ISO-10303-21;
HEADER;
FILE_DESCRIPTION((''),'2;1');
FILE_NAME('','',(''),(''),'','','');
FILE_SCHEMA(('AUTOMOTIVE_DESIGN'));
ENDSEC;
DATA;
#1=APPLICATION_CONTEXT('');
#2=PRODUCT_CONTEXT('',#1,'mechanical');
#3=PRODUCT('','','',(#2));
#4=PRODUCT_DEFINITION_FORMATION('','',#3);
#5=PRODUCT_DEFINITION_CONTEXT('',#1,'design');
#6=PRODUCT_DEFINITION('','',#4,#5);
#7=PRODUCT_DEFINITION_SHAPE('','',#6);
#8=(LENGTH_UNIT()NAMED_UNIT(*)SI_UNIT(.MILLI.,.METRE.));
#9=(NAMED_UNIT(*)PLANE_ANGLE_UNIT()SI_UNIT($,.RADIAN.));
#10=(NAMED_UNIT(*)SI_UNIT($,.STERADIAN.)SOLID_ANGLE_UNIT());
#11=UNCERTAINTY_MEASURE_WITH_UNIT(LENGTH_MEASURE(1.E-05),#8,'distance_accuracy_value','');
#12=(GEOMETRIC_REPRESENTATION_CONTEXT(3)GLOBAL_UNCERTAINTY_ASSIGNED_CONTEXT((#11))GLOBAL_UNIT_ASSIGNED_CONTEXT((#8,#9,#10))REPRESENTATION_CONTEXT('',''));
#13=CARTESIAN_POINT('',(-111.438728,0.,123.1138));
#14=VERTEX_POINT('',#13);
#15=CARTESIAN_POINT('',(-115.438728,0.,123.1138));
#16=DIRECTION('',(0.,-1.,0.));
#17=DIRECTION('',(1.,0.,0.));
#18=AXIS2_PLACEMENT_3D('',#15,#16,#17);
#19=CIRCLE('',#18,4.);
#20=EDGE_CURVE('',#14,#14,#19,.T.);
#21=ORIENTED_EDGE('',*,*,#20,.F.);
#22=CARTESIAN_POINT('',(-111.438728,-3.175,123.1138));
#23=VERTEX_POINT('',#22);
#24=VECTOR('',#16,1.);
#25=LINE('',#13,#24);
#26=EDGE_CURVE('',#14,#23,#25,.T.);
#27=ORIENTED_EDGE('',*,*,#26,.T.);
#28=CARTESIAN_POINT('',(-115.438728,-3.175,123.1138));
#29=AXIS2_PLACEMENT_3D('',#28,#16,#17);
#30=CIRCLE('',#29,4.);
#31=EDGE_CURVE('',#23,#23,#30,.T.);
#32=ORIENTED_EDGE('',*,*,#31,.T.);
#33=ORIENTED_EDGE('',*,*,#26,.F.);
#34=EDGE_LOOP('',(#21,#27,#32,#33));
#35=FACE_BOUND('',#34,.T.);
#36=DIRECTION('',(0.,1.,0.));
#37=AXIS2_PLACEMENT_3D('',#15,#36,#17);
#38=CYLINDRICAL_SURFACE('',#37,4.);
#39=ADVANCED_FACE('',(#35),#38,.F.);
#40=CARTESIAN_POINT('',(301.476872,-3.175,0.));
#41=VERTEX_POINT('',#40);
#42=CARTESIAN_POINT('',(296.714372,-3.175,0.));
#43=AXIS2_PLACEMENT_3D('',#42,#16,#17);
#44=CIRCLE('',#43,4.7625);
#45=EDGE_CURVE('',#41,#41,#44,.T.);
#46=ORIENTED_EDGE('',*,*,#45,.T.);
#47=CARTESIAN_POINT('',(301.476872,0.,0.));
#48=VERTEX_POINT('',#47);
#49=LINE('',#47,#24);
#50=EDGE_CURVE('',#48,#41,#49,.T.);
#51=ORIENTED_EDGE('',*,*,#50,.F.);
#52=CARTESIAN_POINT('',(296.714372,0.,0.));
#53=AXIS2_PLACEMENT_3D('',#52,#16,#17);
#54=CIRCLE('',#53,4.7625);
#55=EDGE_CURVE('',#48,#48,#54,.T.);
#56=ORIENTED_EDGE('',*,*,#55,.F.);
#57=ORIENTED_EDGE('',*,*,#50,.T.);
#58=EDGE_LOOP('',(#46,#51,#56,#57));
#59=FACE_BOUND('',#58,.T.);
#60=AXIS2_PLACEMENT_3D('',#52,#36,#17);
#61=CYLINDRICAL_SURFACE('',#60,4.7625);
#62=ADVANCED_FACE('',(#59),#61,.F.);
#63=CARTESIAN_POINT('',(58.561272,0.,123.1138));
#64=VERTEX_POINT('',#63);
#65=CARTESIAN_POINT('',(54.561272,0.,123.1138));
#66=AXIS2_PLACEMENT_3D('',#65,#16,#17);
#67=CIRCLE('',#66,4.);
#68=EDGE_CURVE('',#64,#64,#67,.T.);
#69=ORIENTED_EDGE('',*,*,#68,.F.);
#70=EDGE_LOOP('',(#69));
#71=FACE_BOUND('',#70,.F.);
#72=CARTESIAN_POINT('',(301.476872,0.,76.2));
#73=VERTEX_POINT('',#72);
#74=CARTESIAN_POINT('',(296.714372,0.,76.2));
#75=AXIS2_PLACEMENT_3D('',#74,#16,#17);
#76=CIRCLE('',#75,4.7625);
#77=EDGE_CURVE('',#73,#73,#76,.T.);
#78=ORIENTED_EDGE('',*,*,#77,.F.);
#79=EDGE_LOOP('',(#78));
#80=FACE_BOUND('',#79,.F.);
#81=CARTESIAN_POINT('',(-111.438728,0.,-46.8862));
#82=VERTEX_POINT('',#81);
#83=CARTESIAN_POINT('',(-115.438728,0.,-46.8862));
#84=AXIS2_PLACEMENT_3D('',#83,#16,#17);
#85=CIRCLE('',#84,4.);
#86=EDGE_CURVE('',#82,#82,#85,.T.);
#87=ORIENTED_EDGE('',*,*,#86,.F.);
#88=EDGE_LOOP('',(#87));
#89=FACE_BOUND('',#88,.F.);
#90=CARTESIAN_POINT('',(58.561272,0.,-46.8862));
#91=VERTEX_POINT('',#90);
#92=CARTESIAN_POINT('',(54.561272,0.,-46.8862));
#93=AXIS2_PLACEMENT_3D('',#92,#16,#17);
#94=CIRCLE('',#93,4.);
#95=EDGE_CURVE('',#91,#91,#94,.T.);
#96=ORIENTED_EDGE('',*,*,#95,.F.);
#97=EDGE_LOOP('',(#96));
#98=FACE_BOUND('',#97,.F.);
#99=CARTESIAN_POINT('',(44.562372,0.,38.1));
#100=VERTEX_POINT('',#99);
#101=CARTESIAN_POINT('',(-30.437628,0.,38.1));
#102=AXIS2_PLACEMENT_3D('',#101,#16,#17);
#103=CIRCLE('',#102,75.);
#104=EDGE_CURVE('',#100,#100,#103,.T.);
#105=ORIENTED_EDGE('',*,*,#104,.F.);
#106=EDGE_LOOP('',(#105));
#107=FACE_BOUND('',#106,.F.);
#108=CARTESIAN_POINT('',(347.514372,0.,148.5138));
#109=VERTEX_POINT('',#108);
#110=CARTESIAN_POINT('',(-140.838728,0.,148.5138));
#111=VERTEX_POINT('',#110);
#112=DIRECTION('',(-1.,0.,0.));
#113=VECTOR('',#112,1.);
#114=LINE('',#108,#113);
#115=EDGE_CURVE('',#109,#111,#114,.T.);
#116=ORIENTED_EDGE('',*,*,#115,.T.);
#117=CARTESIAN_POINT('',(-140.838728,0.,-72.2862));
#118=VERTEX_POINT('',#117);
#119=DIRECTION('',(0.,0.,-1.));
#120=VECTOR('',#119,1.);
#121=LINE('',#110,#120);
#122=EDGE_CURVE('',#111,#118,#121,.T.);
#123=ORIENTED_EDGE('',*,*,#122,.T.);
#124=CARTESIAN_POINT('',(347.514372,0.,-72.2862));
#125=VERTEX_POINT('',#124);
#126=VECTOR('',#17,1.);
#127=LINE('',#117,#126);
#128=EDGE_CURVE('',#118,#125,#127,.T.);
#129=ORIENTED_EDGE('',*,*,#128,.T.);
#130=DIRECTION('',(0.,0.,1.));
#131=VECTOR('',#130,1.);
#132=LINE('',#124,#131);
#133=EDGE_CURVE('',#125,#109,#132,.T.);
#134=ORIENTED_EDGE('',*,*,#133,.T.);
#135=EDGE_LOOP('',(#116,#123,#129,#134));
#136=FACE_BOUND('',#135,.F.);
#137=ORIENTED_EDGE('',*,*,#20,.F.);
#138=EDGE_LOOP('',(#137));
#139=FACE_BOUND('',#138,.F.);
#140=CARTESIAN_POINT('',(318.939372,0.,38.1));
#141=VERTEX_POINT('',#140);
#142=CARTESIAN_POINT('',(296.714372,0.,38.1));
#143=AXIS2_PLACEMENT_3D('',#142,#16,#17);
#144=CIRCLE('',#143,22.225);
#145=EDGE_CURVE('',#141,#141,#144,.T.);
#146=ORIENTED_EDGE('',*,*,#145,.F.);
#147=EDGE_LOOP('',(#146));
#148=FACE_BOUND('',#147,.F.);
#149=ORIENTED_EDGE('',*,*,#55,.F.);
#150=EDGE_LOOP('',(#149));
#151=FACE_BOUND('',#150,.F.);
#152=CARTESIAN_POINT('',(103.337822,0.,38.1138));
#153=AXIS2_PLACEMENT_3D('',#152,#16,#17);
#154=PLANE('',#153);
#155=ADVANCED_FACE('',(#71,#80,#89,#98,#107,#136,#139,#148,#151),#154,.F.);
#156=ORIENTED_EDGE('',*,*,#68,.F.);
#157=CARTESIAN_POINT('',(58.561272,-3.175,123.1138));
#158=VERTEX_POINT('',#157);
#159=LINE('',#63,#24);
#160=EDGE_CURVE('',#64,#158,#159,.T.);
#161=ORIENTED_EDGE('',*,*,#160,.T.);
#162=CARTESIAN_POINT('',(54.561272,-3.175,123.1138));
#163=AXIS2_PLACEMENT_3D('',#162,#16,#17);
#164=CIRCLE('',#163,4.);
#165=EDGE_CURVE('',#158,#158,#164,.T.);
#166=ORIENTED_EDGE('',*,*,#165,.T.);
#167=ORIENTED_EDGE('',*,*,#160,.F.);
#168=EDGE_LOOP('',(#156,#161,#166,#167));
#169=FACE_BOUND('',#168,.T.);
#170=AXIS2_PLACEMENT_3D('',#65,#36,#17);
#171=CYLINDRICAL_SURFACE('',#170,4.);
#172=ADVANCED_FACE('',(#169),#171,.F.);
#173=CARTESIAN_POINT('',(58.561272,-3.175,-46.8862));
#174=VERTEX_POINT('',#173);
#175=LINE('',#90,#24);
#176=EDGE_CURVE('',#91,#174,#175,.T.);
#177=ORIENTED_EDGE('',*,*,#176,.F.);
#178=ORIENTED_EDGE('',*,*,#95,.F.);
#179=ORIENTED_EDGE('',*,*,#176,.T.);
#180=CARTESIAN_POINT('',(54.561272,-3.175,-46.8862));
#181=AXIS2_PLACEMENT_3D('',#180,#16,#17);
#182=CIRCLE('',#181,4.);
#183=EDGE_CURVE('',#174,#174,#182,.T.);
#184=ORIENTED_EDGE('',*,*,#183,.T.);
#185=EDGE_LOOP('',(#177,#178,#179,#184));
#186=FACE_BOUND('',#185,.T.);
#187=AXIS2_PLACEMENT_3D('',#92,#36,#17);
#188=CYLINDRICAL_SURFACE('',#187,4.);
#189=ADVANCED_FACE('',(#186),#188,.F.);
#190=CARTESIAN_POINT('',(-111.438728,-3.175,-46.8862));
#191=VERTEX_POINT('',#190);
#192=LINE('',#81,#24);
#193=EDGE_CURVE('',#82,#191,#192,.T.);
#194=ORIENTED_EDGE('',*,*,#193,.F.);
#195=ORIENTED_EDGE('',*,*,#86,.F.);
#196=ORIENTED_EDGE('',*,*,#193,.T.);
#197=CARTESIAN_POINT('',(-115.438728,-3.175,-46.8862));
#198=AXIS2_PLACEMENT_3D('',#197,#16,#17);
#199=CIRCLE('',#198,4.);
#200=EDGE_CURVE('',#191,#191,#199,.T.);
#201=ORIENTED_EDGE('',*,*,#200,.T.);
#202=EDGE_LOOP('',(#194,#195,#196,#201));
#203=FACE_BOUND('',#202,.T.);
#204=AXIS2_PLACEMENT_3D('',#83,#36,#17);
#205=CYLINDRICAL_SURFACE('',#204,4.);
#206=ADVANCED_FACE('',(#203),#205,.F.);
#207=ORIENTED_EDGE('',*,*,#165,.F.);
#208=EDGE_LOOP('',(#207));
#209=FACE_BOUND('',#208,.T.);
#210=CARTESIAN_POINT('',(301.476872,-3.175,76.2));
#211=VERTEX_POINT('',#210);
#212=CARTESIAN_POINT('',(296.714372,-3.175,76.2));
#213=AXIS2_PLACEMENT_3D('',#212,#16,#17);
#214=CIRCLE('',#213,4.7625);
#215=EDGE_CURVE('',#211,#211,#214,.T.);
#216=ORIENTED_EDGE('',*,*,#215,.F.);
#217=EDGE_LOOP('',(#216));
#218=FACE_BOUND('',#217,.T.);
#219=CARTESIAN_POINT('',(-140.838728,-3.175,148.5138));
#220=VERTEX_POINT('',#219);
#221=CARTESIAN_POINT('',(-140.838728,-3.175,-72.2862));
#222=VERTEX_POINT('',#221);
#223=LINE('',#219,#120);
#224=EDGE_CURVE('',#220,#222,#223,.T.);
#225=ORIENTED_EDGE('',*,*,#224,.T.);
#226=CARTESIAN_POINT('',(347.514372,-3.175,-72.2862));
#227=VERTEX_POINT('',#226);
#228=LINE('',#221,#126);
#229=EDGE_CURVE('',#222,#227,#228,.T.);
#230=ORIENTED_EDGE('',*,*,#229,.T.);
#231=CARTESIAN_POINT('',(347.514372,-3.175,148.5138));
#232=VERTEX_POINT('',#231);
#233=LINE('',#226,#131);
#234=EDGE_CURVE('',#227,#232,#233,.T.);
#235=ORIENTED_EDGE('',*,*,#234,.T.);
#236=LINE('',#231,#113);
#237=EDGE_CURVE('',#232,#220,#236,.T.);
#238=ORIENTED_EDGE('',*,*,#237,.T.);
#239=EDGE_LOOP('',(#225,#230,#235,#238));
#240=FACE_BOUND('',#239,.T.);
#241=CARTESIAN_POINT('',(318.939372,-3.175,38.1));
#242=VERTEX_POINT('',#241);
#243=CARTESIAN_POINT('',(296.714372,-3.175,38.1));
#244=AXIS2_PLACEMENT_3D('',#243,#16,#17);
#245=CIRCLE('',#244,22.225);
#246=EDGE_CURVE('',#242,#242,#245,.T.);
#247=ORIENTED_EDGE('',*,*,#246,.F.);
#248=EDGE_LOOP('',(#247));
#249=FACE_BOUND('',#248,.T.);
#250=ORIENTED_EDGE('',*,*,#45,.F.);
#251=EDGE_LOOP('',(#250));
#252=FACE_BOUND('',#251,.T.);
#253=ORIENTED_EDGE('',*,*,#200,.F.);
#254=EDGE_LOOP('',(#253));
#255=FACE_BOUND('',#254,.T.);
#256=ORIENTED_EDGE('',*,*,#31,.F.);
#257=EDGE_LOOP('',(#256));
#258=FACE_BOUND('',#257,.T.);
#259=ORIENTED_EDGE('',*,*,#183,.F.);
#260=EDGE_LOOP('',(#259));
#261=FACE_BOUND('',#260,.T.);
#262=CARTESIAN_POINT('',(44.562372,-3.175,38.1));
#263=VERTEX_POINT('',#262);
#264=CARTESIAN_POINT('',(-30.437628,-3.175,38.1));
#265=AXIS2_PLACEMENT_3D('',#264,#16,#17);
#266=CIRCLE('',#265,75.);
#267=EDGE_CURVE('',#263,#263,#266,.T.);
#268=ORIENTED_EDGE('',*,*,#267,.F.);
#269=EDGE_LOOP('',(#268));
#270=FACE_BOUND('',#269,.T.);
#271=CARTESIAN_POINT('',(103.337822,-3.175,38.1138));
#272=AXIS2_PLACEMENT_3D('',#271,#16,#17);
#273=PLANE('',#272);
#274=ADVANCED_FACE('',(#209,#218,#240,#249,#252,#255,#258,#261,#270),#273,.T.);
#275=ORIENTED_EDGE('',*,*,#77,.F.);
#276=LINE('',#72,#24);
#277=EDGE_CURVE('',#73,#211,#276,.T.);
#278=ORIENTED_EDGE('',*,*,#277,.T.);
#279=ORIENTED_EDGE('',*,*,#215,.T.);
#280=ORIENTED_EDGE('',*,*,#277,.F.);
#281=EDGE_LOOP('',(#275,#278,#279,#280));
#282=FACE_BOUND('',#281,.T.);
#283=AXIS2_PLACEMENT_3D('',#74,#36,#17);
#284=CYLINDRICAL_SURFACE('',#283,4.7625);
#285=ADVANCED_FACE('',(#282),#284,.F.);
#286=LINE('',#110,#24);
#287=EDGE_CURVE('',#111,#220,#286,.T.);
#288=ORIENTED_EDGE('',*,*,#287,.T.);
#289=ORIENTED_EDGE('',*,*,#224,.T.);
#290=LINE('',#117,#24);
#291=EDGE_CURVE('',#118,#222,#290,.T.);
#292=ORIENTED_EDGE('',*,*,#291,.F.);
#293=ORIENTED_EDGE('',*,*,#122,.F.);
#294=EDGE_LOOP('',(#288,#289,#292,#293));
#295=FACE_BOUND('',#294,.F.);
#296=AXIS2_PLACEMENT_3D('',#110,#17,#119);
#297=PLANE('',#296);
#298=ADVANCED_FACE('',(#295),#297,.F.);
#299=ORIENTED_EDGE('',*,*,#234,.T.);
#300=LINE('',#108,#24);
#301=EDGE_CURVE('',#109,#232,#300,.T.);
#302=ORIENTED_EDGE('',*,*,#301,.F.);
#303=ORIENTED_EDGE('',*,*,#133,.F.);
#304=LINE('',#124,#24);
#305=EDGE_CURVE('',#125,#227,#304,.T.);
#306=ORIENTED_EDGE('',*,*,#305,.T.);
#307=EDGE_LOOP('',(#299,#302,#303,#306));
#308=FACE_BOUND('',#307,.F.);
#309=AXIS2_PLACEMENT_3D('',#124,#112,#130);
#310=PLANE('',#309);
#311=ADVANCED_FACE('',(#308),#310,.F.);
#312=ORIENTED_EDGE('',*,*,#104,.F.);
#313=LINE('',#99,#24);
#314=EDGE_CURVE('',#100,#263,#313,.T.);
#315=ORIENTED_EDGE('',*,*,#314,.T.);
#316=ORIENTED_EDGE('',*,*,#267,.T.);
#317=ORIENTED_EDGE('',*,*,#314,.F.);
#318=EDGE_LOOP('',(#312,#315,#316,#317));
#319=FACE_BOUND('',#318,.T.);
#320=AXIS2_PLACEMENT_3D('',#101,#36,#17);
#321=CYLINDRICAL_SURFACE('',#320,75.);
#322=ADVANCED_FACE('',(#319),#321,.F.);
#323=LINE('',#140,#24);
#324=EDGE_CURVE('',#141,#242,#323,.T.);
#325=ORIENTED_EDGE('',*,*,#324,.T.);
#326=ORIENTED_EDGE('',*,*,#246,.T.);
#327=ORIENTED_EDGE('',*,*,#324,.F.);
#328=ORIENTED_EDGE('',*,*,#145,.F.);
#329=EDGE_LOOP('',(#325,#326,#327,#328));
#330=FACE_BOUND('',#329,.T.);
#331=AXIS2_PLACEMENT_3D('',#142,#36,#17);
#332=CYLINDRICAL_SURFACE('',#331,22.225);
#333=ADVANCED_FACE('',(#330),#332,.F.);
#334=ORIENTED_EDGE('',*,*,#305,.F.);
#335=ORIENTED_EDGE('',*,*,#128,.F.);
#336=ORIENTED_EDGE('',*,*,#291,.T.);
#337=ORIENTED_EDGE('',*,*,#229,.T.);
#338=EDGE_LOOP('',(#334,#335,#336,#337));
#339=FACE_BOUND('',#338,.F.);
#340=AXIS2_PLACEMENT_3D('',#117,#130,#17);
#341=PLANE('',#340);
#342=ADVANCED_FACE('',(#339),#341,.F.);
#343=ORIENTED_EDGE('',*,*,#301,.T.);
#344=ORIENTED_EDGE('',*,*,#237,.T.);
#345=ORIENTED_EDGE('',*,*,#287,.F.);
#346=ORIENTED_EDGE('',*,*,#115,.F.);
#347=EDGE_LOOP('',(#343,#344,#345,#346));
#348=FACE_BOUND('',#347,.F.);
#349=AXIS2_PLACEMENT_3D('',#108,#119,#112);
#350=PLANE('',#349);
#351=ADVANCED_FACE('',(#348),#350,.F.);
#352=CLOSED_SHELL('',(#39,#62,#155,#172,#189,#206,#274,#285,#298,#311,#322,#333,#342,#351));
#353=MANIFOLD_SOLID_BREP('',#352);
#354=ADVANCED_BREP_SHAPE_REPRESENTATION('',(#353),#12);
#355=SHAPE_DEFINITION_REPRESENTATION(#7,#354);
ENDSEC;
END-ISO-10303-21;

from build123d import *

# Parameters (mm, degrees)
F0_R     = 4
F0_R_2   = 75
F0_R_3   = 4.7625
F0_R_4   = 22.225
F1_DEPTH = 3.175


with BuildPart() as f1:
    # F0 (on Front) → F1 (new body)
    with BuildSketch(Plane.XZ):
        Polygon((-140.838728, 148.5138), (-140.838728, -72.2862), (347.514372, -72.2862), (347.514372, 38.1), (347.514372, 148.5138), align=None)
        with Locations((-115.438728, -46.8862)):
            Circle(F0_R, mode=Mode.SUBTRACT)
        with Locations((54.561272, -46.8862)):
            Circle(F0_R, mode=Mode.SUBTRACT)
        with Locations((-30.437628, 38.1)):
            Circle(F0_R_2, mode=Mode.SUBTRACT)
        with Locations((296.714372, 0)):
            Circle(F0_R_3, mode=Mode.SUBTRACT)
        with Locations((296.714372, 38.1)):
            Circle(F0_R_4, mode=Mode.SUBTRACT)
        with Locations((-115.438728, 123.1138)):
            Circle(F0_R, mode=Mode.SUBTRACT)
        with Locations((54.561272, 123.1138)):
            Circle(F0_R, mode=Mode.SUBTRACT)
        with Locations((296.714372, 76.2)):
            Circle(F0_R_3, mode=Mode.SUBTRACT)
    extrude(amount=F1_DEPTH)


solid = f1.part
